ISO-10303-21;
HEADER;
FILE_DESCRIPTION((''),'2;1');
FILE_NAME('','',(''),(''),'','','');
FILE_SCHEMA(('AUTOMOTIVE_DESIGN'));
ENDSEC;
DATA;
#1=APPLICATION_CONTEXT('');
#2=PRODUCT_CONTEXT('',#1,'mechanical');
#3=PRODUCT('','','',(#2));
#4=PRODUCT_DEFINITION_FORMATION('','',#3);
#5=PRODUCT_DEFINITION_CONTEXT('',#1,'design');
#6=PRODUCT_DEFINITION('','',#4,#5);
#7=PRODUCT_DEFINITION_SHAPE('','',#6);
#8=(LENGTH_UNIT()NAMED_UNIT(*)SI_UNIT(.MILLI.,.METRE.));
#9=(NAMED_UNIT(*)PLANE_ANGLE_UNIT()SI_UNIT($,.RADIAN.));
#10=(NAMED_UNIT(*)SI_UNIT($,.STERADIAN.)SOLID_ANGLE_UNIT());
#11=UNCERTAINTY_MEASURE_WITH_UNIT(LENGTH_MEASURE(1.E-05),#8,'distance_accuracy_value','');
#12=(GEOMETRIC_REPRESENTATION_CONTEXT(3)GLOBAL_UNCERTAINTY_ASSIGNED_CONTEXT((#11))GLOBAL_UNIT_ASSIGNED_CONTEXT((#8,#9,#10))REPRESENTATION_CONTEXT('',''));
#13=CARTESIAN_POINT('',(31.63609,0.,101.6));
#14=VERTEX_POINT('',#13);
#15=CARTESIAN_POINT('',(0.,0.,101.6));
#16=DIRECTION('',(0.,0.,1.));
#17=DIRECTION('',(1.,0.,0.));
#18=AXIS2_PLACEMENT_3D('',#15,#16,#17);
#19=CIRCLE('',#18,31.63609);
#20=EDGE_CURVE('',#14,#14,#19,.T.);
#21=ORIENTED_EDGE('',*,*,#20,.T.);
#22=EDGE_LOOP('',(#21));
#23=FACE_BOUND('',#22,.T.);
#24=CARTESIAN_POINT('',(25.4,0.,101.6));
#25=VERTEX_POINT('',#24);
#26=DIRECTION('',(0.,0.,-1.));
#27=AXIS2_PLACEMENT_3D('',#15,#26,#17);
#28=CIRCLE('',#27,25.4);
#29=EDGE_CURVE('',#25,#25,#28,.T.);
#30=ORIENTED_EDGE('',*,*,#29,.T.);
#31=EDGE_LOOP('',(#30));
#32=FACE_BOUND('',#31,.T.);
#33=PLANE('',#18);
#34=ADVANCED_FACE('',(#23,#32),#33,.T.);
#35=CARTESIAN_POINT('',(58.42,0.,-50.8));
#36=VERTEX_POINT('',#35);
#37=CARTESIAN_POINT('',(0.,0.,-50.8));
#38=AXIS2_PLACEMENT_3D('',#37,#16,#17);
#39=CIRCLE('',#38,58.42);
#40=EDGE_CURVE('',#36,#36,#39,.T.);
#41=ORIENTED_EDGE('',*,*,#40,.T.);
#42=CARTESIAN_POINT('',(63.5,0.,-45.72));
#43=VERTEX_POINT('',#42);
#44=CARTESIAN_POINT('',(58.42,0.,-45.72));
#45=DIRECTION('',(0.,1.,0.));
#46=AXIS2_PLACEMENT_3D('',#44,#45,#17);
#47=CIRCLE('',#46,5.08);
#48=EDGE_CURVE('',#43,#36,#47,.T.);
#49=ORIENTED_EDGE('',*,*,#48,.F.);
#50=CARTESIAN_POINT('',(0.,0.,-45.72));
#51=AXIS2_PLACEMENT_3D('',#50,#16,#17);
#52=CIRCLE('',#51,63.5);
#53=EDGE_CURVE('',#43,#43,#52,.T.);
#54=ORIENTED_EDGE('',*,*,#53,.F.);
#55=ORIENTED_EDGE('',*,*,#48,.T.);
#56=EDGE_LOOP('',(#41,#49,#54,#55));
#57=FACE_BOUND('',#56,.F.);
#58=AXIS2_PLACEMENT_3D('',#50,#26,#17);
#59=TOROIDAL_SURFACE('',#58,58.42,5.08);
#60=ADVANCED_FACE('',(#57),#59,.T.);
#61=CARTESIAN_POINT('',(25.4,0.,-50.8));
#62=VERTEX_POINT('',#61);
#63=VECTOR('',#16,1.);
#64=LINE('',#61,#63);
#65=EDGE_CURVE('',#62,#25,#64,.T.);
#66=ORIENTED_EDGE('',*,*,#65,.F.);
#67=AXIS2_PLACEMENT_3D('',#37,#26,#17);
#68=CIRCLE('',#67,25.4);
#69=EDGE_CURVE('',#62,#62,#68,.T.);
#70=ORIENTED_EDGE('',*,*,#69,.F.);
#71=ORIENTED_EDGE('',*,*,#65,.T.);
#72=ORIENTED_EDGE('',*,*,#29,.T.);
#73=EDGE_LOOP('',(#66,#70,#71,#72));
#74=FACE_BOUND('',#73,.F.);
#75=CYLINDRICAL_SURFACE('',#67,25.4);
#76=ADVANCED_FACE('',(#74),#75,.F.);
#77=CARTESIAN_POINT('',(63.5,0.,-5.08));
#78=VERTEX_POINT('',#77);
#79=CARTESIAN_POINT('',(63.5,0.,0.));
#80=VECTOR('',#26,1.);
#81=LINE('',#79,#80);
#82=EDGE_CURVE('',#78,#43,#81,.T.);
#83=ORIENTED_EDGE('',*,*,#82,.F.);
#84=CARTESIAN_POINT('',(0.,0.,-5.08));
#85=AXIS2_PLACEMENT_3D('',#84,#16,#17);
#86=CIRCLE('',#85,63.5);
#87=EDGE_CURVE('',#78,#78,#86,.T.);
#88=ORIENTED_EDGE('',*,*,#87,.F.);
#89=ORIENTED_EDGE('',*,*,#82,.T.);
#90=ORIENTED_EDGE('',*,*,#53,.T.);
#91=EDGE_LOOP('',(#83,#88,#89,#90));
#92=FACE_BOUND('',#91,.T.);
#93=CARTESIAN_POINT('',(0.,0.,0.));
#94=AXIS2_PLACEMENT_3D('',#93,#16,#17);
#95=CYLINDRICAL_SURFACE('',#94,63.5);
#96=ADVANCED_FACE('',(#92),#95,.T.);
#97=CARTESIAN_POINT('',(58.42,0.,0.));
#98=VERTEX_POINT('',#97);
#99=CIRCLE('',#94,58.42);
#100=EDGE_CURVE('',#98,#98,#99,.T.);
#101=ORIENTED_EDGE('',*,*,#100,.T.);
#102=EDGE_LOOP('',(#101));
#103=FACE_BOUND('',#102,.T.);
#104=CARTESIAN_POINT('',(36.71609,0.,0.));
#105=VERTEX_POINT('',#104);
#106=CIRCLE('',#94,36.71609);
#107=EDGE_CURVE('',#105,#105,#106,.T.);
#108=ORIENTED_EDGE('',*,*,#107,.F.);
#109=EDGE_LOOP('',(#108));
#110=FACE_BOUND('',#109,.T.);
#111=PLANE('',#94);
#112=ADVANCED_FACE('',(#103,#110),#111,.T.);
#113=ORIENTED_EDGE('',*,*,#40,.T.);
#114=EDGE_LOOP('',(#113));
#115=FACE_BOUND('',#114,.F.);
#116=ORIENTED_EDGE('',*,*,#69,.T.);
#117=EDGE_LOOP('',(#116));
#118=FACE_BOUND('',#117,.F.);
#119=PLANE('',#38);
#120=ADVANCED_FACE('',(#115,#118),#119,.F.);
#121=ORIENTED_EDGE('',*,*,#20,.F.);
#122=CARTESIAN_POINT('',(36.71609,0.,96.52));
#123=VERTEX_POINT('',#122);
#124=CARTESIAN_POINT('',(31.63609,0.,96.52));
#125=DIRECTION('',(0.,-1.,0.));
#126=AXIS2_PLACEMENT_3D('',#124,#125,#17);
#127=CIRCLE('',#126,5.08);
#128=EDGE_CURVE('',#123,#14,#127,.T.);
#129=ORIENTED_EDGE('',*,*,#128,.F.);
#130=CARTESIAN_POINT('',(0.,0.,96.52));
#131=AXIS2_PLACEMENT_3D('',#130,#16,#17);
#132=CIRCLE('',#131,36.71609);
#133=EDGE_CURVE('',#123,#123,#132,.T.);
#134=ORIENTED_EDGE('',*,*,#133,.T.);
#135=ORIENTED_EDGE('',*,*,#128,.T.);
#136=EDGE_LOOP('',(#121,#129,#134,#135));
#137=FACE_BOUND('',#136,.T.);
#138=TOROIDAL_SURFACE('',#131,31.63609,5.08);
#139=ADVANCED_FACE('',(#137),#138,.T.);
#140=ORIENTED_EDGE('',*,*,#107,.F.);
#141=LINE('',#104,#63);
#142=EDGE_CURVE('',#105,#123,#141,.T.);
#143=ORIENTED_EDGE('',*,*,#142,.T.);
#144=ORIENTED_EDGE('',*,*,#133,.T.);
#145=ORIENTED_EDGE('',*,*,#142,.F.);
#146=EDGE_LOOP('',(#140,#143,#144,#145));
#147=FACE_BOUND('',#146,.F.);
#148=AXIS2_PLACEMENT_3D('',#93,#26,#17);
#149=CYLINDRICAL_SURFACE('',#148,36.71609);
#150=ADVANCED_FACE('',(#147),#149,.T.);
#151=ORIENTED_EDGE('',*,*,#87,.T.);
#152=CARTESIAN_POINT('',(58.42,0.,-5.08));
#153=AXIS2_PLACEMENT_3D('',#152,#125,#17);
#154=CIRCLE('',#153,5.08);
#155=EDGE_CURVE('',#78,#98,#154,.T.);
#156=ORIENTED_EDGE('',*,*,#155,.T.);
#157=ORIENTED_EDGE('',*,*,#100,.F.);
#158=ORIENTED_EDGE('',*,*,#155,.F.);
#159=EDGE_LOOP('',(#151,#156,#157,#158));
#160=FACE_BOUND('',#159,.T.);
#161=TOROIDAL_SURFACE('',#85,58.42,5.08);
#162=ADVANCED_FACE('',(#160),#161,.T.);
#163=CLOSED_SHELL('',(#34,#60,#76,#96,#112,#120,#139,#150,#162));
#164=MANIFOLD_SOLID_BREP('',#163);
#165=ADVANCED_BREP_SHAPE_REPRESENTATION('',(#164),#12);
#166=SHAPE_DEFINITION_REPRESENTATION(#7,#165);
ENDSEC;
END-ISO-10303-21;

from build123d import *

# Parameters (mm, degrees)
F0_R     = 36.71609
F1_DEPTH = 101.6
F0_R_2   = 63.5
F2_DEPTH = 50.8
F3_R     = 5.08
F4_R     = 25.4
F5_DEPTH = 152.4


with BuildPart() as f1:
    # F0 (on Top) → F1 (new body)
    with BuildSketch(Plane.XY):
        Circle(F0_R)
    extrude(amount=F1_DEPTH)

    # F0 (on Top) → F2 (join)
    with BuildSketch(Plane.XY):
        Circle(F0_R_2)
        Circle(F0_R, mode=Mode.SUBTRACT)
        Circle(F0_R)
    extrude(amount=-F2_DEPTH)

    # F3
    f3_edges = [f1.edges().sort_by_distance(p)[0] for p in [
        (-63.5, 0, 0),
        (-63.5, 0, -50.8),
        (-36.71609, 0, 101.6),
    ]]
    fillet(f3_edges, radius=F3_R)

    # F4 (on face) → F5 (cut)
    with BuildSketch(Plane(origin=(0, 0, -50.8), x_dir=(1, 0, 0), z_dir=(0, 0, -1))):
        Circle(F4_R)
    extrude(amount=-F5_DEPTH, mode=Mode.SUBTRACT)


solid = f1.part
